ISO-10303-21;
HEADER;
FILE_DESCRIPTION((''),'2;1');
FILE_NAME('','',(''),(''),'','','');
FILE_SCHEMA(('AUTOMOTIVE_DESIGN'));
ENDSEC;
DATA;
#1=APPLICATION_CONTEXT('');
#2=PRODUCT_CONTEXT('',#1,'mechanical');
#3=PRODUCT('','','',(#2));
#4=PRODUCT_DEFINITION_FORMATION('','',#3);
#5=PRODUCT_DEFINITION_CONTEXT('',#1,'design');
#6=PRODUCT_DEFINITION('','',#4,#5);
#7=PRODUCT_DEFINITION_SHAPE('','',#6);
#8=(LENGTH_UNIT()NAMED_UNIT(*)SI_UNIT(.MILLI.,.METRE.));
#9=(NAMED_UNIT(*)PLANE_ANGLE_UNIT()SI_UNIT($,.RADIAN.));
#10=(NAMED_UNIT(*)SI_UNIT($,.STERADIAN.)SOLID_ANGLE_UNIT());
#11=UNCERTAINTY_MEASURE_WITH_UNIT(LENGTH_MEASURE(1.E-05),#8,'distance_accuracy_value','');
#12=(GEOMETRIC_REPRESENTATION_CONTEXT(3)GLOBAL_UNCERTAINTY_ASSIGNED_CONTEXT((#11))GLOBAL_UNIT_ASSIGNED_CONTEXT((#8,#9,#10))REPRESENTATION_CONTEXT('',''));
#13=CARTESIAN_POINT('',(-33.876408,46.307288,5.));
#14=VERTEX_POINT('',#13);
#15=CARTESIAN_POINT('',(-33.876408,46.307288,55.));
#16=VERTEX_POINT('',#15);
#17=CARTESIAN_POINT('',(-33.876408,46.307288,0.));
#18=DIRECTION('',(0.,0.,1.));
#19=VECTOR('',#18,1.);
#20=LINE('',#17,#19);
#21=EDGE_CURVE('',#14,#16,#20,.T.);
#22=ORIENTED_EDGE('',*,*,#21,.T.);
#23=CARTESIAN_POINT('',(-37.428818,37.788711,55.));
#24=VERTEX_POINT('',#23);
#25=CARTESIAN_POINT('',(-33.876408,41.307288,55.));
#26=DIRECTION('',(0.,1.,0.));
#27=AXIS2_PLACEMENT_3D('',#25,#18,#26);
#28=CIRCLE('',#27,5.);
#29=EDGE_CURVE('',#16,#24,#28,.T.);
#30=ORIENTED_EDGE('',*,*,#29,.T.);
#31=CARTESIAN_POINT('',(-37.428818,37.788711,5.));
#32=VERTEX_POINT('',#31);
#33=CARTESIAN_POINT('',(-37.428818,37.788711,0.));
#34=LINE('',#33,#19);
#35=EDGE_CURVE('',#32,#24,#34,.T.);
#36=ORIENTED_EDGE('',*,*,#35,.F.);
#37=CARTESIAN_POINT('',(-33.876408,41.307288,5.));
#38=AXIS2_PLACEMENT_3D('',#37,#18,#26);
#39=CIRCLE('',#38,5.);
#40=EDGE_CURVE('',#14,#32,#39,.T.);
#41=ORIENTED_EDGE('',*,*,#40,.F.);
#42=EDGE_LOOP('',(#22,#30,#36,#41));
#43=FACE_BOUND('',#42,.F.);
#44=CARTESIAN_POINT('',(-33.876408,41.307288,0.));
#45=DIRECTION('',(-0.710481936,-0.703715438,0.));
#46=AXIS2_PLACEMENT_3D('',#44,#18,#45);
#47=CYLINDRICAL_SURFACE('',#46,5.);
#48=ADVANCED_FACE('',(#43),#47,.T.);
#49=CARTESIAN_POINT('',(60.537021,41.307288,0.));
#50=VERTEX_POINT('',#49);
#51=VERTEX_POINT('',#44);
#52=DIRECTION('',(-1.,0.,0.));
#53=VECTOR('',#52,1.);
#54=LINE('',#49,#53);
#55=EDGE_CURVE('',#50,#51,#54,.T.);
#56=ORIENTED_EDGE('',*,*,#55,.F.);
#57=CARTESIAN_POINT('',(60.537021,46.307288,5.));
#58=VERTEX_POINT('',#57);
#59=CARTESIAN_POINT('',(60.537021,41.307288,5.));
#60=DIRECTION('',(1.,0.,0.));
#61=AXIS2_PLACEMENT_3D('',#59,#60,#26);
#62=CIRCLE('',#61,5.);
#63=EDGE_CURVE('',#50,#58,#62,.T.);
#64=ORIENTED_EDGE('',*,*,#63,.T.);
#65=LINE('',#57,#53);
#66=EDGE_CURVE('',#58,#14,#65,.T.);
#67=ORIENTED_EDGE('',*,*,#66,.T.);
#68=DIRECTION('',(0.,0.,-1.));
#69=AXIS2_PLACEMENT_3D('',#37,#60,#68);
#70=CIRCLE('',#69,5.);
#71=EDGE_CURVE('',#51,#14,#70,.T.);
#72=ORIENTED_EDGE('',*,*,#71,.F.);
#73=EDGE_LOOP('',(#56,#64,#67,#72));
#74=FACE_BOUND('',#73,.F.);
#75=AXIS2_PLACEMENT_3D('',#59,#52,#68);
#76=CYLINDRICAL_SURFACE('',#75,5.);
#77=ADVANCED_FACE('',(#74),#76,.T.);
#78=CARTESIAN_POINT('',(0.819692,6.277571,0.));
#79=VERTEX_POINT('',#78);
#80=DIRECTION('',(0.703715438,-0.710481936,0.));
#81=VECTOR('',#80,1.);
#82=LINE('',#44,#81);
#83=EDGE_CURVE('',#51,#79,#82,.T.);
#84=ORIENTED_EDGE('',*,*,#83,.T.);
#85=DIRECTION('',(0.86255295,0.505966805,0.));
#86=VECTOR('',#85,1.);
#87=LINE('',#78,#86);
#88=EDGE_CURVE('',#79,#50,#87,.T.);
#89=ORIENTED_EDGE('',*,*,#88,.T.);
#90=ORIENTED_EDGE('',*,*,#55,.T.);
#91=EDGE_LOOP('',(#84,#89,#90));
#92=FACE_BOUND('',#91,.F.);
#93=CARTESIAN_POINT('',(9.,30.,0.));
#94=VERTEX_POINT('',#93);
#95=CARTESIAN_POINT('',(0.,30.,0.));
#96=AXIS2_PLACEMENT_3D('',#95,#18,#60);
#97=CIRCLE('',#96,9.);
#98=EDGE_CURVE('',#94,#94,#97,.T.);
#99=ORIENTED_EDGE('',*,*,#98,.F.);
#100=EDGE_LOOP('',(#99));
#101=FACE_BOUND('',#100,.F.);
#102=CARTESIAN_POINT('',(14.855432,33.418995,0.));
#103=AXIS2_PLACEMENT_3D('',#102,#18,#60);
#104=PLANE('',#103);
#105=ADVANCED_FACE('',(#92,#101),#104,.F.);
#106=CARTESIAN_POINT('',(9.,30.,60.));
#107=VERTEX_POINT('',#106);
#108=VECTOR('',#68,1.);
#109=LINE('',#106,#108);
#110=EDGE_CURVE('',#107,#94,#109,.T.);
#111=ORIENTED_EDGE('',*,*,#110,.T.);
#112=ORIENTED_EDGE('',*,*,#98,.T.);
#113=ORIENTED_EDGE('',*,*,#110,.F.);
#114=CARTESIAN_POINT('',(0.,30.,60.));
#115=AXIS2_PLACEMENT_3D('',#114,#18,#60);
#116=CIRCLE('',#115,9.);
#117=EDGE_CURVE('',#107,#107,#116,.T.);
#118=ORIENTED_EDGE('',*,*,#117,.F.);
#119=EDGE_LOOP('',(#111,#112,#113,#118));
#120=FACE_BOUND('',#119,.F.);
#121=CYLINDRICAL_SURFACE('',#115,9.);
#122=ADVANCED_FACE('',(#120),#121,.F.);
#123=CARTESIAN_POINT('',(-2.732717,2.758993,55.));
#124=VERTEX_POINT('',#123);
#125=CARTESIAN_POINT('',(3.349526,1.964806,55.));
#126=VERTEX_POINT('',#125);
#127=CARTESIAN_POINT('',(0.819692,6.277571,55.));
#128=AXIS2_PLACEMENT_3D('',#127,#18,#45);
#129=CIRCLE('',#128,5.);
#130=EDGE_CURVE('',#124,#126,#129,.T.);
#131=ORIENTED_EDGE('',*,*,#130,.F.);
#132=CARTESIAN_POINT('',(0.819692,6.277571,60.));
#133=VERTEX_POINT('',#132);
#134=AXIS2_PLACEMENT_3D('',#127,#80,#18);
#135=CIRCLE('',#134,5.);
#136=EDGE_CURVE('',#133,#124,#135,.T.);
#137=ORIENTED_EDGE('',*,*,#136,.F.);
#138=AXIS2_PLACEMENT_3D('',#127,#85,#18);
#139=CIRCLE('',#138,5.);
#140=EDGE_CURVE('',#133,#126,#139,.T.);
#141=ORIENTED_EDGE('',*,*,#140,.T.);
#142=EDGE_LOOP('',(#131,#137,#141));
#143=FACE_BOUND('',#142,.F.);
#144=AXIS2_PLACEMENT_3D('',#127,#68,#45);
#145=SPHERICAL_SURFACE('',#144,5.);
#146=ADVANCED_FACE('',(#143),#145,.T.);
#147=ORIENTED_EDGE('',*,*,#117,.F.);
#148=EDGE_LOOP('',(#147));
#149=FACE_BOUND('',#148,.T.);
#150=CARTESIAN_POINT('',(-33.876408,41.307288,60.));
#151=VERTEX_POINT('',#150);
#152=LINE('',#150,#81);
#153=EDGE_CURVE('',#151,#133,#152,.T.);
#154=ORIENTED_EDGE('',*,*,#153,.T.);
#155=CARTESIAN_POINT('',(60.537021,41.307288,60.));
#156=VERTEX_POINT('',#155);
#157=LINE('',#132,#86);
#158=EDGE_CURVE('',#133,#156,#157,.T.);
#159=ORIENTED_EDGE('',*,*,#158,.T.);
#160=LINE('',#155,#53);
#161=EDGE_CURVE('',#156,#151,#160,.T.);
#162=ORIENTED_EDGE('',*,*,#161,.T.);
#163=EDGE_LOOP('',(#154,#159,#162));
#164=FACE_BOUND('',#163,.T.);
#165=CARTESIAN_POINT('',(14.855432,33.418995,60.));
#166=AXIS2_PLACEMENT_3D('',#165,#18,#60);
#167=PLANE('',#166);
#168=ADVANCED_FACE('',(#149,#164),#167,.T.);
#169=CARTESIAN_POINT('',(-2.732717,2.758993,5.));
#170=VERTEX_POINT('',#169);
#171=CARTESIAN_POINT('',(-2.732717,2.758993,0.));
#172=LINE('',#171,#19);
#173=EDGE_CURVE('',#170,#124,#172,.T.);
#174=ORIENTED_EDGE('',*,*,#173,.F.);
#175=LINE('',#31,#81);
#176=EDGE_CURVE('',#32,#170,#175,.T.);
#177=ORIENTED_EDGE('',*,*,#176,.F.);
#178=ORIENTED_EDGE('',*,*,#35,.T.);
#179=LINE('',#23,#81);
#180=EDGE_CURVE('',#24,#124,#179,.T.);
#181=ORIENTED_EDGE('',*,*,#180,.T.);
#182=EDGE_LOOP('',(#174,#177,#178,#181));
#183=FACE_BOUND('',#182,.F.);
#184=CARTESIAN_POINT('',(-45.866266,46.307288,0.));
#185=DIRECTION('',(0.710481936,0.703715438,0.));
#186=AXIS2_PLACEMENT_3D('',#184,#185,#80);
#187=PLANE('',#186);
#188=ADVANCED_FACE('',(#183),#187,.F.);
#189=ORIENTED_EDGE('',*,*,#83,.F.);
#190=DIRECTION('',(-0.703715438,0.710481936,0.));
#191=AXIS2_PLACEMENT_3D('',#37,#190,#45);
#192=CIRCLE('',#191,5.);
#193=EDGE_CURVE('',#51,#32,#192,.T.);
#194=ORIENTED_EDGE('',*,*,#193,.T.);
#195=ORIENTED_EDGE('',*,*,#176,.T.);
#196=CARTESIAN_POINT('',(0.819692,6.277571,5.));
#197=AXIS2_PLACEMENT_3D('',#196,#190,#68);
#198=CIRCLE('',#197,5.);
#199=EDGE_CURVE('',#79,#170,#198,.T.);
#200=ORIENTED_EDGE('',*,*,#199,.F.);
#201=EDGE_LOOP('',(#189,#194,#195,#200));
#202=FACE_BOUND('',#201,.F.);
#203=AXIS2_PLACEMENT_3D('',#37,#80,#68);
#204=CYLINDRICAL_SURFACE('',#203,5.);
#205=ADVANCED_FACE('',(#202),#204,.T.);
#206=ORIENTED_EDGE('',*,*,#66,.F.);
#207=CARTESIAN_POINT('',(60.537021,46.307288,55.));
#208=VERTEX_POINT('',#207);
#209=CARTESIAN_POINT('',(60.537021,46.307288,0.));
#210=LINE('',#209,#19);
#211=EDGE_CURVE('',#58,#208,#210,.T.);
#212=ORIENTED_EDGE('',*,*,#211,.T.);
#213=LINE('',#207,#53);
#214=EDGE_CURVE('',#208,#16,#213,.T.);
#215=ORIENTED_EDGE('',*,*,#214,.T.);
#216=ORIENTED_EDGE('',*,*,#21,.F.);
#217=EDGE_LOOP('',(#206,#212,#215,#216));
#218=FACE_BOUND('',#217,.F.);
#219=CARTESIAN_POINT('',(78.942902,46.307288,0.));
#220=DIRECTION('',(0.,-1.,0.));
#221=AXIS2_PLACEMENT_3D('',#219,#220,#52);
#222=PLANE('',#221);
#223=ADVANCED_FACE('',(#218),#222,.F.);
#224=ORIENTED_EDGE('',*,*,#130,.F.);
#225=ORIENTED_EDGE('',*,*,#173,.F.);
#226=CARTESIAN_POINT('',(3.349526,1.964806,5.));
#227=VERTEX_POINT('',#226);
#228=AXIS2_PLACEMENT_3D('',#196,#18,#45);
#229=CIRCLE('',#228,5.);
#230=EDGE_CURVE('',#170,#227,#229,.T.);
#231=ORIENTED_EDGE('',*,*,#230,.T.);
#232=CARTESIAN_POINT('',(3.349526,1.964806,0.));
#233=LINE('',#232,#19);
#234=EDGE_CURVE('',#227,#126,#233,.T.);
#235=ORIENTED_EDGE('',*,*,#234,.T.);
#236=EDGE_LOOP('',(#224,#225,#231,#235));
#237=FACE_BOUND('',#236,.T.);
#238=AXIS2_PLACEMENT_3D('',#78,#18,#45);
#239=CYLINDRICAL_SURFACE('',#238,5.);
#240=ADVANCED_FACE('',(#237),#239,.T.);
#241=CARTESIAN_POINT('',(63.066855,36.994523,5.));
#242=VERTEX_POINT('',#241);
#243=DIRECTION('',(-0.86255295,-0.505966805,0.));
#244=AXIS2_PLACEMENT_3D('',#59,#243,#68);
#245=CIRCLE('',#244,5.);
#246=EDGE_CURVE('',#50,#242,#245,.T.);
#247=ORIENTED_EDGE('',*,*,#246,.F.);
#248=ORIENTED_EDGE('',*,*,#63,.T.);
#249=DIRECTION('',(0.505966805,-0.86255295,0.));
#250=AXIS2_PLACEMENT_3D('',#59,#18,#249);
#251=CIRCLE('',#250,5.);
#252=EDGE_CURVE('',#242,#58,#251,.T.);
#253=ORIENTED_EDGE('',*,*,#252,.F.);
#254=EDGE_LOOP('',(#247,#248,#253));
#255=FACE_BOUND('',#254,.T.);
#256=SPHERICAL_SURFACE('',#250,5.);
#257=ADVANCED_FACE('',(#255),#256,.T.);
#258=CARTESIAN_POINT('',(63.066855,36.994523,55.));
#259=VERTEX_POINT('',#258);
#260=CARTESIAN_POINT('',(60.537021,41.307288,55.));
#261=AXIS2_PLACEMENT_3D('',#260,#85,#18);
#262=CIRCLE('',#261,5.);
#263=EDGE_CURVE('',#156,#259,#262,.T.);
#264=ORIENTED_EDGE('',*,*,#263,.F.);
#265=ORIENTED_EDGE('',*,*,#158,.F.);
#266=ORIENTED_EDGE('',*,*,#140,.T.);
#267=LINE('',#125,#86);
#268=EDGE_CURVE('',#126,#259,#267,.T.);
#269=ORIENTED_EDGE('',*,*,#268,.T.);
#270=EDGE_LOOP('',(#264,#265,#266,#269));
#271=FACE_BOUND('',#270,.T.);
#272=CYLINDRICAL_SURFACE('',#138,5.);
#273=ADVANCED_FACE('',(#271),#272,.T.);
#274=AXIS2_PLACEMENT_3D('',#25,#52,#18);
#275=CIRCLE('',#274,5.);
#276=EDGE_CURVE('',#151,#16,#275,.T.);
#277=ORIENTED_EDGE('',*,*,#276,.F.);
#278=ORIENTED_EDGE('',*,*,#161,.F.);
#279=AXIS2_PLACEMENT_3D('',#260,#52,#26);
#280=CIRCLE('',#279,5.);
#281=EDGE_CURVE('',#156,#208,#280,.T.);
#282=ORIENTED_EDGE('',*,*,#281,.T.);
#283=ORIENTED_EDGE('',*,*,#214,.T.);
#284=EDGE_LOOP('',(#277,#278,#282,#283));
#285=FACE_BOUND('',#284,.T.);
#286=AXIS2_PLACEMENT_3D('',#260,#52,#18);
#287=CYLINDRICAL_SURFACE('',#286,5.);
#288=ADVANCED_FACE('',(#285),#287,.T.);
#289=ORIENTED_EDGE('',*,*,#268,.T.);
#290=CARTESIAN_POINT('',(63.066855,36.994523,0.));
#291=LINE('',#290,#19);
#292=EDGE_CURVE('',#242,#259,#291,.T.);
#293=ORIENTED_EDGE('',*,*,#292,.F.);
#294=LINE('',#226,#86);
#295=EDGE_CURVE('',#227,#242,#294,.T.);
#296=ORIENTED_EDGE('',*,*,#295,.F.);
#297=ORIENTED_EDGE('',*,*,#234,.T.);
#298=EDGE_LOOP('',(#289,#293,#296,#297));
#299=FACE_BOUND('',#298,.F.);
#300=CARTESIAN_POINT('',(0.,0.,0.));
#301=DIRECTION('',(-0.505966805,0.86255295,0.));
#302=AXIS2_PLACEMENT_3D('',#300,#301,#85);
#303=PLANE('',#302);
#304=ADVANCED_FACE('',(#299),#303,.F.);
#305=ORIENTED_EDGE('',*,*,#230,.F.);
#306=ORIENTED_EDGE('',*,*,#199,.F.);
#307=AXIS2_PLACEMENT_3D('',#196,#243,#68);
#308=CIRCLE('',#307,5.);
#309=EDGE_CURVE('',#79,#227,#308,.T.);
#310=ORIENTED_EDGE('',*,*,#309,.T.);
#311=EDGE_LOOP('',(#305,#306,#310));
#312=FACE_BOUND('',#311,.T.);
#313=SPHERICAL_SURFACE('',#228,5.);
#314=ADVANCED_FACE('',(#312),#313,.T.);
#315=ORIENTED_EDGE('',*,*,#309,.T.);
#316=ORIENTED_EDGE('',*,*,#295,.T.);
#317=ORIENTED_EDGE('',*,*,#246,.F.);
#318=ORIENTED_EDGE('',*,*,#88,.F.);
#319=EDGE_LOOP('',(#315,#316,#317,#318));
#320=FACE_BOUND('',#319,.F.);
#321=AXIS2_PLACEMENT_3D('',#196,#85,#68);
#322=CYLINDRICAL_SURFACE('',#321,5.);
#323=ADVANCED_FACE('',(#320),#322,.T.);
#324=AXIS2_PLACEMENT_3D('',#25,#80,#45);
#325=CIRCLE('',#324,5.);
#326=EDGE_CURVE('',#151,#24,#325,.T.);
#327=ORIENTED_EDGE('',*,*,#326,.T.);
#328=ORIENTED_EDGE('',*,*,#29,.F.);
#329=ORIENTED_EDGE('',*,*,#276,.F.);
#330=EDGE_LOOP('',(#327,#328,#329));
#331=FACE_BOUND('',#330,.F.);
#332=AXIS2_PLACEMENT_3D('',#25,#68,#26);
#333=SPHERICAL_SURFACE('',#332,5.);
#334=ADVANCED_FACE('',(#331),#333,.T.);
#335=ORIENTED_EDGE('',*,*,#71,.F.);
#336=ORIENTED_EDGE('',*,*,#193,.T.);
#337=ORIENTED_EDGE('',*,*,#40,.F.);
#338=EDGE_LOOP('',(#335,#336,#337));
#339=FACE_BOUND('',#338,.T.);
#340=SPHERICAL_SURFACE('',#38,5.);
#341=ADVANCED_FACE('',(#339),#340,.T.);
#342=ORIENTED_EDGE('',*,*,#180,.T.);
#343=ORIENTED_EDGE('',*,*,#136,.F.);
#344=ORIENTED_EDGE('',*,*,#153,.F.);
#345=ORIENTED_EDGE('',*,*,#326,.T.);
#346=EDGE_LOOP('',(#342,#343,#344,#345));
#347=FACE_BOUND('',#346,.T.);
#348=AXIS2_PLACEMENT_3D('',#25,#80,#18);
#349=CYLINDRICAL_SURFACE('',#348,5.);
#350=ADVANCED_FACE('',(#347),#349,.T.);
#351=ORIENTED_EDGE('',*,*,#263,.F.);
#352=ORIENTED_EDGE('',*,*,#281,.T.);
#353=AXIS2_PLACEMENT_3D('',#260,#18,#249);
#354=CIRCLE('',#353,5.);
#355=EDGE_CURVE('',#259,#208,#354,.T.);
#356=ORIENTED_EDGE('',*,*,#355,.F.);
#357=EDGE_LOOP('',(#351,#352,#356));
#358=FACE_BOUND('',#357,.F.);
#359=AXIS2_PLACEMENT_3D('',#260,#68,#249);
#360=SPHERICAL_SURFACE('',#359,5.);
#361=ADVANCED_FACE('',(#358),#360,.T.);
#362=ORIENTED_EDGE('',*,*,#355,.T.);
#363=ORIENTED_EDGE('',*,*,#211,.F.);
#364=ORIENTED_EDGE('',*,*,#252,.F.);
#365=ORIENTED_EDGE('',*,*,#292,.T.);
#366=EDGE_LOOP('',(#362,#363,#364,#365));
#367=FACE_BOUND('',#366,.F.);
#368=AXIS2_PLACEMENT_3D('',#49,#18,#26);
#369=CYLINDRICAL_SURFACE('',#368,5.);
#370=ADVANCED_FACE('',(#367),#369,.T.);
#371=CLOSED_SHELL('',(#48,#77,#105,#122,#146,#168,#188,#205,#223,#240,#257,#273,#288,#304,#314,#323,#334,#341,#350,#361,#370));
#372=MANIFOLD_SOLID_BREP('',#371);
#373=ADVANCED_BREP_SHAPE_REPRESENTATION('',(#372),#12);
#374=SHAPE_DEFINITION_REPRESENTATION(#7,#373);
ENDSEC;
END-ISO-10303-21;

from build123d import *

# Parameters (mm, degrees)
F1_DEPTH = 60
F2_R     = 9
F3_DEPTH = 60.001
F4_R     = 5
F5_R     = 5


with BuildPart() as f1:
    # F0 (on Top) → F1 (new body)
    with BuildSketch(Plane.XY):
        Polygon((-45.866266, 46.307288), (0, 0), (78.942902, 46.307288), align=None)
    extrude(amount=F1_DEPTH)

    # F2 (on face) → F3 (cut, through all)
    with BuildSketch(Plane.XY.offset(60)):
        with Locations((0, 30)):
            Circle(F2_R)
    extrude(amount=-F3_DEPTH, mode=Mode.SUBTRACT)

    # F4
    f4_edges = [f1.edges().sort_by_distance(p)[0] for p in [
        (-45.866266, 46.307288, 30),
        (0, 0, 30),
        (78.942902, 46.307288, 30),
    ]]
    fillet(f4_edges, radius=F4_R)

    # F5
    f5_edges = [f1.edges().sort_by_distance(p)[0] for p in [
        (33.208191, 19.479665, 0),
        (33.208191, 19.479665, 60),
    ]]
    fillet(f5_edges, radius=F5_R)


solid = f1.part
